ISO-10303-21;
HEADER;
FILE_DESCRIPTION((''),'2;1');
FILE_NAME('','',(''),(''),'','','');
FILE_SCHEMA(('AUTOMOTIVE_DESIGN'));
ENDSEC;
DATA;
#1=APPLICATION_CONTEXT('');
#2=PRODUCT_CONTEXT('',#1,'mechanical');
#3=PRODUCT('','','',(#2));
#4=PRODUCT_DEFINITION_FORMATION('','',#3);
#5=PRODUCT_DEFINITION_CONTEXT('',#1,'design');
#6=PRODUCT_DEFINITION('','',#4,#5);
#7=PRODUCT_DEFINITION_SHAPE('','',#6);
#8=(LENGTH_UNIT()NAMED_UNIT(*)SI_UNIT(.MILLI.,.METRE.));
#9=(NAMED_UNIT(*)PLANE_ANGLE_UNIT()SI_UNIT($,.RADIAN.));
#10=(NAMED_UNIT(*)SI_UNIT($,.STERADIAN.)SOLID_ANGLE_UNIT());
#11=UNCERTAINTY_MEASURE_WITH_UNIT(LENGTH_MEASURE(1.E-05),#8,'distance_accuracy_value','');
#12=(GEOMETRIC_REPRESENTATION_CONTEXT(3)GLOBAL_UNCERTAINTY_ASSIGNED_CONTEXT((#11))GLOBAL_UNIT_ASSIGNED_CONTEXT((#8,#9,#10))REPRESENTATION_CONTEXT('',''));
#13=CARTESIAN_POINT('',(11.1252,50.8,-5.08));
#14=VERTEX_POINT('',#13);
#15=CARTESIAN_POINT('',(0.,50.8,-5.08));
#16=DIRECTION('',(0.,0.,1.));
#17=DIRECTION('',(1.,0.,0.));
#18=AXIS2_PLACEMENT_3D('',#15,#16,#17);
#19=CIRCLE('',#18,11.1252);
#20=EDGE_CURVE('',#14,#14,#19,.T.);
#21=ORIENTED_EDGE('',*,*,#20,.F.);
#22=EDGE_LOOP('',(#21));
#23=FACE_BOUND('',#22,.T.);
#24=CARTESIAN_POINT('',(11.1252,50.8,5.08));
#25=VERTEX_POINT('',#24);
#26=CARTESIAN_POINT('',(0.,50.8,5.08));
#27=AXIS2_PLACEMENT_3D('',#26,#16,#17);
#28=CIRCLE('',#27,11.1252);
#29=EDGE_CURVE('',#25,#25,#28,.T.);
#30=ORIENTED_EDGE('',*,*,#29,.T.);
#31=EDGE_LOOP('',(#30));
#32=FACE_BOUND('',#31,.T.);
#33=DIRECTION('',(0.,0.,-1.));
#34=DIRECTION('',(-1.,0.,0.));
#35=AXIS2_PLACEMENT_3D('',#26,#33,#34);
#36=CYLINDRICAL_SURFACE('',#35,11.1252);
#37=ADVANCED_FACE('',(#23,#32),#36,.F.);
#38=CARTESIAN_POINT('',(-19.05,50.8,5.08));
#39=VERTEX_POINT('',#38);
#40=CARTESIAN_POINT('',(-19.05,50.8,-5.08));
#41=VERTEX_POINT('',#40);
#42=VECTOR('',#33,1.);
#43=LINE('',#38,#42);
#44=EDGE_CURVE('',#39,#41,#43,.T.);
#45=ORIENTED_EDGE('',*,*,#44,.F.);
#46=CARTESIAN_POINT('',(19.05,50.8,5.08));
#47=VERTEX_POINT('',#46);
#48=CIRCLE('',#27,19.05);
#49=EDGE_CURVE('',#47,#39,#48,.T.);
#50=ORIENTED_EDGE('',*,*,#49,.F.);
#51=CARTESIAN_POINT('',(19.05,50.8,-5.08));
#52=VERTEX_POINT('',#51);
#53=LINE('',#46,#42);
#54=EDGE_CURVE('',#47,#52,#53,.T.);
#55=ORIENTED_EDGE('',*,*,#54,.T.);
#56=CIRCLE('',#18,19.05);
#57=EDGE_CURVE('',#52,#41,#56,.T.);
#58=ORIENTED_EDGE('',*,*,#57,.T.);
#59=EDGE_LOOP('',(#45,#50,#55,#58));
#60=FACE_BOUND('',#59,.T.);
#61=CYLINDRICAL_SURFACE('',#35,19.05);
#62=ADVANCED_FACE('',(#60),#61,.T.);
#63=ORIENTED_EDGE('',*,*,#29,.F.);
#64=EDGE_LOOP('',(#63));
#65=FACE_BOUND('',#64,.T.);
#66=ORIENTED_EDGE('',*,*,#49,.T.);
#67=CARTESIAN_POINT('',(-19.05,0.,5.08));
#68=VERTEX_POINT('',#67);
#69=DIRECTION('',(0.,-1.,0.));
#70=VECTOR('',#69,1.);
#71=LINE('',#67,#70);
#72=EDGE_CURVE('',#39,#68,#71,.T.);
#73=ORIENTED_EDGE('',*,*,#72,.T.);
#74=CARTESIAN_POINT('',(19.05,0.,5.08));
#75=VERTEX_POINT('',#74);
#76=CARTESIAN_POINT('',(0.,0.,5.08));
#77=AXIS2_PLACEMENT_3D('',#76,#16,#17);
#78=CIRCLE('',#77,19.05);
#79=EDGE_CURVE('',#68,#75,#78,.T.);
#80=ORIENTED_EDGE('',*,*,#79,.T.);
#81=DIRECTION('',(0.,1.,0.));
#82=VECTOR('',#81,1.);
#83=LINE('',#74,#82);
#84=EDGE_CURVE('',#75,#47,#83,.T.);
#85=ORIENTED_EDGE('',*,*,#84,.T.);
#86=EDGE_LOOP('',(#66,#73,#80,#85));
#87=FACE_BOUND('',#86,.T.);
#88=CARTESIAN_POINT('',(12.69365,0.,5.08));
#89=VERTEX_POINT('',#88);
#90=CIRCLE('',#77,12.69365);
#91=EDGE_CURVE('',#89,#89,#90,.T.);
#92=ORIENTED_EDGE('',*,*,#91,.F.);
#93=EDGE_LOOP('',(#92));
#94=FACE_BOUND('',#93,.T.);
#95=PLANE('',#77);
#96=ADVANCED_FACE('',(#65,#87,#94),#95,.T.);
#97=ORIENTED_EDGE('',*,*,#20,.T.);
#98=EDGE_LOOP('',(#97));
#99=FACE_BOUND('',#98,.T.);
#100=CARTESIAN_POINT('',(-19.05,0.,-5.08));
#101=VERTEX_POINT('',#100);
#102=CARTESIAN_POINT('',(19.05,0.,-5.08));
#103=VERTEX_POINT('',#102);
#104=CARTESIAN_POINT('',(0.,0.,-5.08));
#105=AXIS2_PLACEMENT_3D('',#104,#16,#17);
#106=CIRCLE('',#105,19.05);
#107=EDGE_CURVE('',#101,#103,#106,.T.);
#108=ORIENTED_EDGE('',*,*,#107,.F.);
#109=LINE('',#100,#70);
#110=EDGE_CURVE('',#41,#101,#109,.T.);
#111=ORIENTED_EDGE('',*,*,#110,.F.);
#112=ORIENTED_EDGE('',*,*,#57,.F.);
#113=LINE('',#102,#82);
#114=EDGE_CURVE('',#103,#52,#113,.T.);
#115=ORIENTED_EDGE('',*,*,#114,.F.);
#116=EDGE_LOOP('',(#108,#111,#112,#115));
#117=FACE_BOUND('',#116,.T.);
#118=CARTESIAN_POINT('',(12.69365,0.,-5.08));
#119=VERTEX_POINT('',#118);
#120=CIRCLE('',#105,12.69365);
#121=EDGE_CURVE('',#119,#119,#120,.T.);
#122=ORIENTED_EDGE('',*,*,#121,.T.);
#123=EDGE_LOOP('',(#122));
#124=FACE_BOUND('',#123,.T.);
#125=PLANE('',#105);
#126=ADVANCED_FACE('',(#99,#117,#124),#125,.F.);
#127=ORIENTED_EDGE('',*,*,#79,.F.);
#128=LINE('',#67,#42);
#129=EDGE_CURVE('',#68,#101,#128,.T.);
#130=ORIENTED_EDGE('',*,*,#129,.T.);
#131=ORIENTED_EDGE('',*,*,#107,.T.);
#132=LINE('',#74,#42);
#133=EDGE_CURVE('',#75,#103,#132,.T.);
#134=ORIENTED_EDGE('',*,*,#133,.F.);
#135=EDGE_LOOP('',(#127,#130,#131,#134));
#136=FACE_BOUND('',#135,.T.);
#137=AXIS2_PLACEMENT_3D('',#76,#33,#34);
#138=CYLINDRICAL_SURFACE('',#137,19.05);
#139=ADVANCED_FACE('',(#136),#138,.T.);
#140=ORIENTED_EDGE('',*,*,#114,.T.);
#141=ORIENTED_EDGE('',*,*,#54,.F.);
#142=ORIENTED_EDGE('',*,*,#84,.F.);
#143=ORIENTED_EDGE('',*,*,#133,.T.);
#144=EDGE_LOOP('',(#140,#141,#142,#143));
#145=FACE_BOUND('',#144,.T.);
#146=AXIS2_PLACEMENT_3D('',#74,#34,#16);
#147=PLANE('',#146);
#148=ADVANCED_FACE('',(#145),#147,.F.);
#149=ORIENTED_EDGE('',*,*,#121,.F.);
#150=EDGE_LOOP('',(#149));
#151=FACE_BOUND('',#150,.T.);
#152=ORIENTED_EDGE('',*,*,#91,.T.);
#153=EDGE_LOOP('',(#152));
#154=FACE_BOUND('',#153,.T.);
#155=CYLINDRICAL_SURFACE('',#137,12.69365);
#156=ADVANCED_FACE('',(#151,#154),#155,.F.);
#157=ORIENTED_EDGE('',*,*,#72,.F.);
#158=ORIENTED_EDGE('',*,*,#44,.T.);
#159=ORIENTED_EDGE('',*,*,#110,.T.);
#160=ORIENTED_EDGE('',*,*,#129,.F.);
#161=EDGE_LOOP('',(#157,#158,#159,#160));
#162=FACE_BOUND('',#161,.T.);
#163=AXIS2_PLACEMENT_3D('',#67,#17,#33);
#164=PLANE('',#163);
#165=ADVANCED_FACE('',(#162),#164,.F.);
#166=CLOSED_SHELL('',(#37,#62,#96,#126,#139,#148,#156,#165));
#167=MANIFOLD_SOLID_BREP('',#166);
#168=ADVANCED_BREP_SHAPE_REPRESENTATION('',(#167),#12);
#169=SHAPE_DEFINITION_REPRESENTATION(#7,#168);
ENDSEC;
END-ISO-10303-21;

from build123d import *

# Parameters (mm, degrees)
SKETCH2_R           = 11.1252
SKETCH2_R_2         = 12.69365
BOSS_EXTRUDE1_DEPTH = 5.08


with BuildPart() as part:
    # Sketch2 → Boss-Extrude1 (new, symmetric)
    with BuildSketch(Plane.XY):
        with BuildLine():
            Line((-19.05, 0), (-19.05, 50.8))
            ThreePointArc((-19.05, 50.8), (0, 69.85), (19.05, 50.8))
            Line((19.05, 50.8), (19.05, 0))
            ThreePointArc((19.05, 0), (0, -19.05), (-19.05, 0))
        make_face()
        with Locations((0, 50.8)):
            Circle(SKETCH2_R, mode=Mode.SUBTRACT)
        Circle(SKETCH2_R_2, mode=Mode.SUBTRACT)
    extrude(amount=BOSS_EXTRUDE1_DEPTH, both=True)


solid = part.part
